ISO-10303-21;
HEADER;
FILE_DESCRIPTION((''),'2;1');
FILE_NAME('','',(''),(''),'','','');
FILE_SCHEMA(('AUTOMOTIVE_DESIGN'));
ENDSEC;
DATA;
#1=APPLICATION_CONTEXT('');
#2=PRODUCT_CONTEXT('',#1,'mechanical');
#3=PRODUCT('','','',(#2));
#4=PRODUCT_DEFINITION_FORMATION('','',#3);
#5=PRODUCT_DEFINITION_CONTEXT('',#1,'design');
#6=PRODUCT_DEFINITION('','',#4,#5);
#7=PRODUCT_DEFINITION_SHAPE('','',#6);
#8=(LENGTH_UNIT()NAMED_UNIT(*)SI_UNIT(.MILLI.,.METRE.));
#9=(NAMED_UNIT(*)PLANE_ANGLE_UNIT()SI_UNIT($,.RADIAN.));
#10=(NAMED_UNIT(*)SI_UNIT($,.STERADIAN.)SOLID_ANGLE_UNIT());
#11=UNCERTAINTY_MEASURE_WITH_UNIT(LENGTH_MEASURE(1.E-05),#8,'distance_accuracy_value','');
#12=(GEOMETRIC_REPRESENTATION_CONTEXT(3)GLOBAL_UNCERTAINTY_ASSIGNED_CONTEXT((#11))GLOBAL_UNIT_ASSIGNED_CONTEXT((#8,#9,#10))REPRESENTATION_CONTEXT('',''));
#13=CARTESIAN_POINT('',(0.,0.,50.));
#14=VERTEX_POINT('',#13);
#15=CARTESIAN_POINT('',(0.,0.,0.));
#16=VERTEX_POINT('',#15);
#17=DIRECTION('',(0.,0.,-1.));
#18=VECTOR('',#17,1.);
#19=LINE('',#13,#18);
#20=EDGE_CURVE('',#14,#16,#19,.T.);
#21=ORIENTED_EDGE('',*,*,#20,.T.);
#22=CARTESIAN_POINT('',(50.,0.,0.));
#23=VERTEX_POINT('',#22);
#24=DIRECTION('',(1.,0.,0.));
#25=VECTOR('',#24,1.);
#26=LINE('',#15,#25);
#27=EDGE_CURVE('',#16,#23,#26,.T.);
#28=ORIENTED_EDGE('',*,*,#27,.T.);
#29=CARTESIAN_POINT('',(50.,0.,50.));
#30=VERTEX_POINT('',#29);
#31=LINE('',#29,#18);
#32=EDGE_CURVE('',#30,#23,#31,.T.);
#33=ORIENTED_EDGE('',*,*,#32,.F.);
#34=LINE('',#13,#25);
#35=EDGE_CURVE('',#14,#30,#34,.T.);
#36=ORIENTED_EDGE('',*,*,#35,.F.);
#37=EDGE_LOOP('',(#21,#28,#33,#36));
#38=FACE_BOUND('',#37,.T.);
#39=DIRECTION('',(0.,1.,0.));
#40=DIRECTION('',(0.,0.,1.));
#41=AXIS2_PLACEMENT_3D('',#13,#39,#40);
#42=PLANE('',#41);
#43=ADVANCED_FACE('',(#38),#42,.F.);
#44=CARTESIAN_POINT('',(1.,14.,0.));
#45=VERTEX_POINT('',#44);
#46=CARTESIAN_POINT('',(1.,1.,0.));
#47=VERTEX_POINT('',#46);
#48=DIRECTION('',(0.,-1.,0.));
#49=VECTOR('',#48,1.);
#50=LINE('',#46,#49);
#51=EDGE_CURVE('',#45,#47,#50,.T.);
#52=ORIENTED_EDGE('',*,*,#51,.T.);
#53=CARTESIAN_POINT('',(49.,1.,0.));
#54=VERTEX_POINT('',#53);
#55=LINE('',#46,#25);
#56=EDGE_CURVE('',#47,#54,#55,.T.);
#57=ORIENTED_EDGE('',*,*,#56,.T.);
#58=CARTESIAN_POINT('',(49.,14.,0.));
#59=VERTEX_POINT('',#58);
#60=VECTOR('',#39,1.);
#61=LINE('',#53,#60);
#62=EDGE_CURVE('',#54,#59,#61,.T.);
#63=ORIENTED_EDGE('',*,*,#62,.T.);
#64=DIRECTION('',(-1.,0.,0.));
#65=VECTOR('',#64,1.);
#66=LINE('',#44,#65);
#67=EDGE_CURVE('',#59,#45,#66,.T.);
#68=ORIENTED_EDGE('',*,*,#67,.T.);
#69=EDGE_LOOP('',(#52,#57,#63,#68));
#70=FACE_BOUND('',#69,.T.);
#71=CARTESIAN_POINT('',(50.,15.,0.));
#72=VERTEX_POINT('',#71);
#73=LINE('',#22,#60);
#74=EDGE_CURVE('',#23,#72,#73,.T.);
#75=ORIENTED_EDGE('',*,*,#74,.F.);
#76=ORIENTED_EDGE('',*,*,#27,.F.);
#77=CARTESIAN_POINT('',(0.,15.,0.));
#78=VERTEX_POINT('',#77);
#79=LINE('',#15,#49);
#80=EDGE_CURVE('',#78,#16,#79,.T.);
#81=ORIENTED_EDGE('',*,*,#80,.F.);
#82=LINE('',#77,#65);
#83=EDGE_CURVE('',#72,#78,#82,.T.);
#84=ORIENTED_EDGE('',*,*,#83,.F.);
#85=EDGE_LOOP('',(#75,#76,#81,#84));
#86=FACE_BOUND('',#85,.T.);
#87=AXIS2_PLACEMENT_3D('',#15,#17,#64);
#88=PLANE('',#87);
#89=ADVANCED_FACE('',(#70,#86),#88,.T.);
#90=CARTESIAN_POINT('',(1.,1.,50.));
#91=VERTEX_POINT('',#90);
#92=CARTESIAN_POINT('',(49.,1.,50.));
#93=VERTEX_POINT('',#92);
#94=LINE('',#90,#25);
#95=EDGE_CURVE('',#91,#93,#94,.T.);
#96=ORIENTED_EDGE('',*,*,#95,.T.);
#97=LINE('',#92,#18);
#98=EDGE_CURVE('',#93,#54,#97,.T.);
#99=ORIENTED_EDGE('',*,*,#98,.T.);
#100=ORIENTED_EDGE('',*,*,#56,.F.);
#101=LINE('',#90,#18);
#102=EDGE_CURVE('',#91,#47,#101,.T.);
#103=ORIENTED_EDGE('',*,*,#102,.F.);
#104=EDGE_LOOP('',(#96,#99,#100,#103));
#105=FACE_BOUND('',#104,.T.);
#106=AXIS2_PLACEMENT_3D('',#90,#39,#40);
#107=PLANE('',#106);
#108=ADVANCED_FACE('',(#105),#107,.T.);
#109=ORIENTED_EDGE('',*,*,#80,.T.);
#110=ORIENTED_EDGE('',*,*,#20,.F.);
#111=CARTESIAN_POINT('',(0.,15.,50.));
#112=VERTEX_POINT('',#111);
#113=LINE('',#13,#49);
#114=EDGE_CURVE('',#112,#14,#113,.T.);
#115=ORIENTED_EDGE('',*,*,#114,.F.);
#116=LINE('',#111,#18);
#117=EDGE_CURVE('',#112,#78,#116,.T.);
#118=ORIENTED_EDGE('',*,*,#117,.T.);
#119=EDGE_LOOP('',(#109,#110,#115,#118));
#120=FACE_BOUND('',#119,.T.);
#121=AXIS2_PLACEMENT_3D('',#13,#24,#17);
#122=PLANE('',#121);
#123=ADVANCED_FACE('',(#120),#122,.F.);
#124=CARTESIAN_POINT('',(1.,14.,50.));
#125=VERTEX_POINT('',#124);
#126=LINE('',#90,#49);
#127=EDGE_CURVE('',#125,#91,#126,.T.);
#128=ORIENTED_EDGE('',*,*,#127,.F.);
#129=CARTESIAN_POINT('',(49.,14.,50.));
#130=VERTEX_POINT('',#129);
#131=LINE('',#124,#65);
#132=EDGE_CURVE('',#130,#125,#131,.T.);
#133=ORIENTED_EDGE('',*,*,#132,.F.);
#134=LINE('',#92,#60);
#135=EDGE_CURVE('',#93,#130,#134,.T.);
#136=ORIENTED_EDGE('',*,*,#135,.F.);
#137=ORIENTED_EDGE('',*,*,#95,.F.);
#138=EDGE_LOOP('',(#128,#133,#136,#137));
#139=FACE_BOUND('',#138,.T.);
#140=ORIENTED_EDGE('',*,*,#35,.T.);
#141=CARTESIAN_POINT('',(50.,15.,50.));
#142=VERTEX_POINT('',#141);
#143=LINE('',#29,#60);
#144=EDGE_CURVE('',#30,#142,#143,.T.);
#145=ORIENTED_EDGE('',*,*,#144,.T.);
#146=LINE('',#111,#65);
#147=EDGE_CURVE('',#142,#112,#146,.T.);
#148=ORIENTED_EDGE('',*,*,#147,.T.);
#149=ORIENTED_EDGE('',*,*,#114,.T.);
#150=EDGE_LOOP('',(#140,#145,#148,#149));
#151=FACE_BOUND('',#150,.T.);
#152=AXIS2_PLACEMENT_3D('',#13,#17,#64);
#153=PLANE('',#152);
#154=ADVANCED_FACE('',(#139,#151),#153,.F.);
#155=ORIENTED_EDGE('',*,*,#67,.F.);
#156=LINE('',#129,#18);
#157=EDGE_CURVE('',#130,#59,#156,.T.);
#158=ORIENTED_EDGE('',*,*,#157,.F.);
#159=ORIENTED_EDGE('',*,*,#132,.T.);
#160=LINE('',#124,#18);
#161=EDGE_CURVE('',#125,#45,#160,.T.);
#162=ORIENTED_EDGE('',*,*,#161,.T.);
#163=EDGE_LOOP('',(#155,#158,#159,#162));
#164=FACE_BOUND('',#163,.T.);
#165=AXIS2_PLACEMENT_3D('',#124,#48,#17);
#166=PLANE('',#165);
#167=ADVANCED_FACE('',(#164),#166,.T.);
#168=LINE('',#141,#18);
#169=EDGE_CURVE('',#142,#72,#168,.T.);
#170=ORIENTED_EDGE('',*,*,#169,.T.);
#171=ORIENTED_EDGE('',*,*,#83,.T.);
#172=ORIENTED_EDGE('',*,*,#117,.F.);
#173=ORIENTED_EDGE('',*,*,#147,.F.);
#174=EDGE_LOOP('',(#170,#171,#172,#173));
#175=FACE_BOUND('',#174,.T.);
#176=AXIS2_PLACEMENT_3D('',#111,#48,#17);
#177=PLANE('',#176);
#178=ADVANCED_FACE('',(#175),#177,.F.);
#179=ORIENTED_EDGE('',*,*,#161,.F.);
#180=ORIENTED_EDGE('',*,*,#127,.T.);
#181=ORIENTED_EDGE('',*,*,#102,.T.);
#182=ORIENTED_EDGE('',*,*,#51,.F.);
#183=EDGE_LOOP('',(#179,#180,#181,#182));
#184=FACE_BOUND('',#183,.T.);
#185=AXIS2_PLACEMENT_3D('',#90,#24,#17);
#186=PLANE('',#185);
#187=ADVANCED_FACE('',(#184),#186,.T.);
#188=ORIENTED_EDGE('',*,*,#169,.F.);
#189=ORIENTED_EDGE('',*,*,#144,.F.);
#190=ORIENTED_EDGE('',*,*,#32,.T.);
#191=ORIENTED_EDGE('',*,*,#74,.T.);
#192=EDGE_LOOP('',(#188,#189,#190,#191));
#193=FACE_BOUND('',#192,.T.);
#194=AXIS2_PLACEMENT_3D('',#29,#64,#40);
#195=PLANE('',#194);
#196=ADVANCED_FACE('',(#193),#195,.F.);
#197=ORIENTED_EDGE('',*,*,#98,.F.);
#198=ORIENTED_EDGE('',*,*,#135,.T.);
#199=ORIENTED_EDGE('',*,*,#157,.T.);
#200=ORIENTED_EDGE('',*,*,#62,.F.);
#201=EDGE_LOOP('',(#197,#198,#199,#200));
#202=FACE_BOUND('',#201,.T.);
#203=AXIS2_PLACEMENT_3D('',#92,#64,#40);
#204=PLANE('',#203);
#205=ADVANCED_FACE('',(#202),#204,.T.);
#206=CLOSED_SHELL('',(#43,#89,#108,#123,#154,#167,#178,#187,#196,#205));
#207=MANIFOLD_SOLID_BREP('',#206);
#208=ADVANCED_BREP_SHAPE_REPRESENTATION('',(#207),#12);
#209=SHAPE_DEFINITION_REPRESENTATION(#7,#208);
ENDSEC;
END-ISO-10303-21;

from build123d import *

# Parameters (mm, degrees)
SKETCH_1_W      = 50
SKETCH_1_H      = 15
SKETCH_1_W_2    = 48
SKETCH_1_H_2    = 13
EXTRUDE_1_DEPTH = 50


with BuildPart() as part:
    # 草图1 → 凸台-拉伸1 (new body)
    with BuildSketch(Plane.XY):
        with Locations((25, 7.5)):
            Rectangle(SKETCH_1_W, SKETCH_1_H)
        with Locations((25, 7.5)):
            Rectangle(SKETCH_1_W_2, SKETCH_1_H_2, mode=Mode.SUBTRACT)
    extrude(amount=EXTRUDE_1_DEPTH)


solid = part.part
